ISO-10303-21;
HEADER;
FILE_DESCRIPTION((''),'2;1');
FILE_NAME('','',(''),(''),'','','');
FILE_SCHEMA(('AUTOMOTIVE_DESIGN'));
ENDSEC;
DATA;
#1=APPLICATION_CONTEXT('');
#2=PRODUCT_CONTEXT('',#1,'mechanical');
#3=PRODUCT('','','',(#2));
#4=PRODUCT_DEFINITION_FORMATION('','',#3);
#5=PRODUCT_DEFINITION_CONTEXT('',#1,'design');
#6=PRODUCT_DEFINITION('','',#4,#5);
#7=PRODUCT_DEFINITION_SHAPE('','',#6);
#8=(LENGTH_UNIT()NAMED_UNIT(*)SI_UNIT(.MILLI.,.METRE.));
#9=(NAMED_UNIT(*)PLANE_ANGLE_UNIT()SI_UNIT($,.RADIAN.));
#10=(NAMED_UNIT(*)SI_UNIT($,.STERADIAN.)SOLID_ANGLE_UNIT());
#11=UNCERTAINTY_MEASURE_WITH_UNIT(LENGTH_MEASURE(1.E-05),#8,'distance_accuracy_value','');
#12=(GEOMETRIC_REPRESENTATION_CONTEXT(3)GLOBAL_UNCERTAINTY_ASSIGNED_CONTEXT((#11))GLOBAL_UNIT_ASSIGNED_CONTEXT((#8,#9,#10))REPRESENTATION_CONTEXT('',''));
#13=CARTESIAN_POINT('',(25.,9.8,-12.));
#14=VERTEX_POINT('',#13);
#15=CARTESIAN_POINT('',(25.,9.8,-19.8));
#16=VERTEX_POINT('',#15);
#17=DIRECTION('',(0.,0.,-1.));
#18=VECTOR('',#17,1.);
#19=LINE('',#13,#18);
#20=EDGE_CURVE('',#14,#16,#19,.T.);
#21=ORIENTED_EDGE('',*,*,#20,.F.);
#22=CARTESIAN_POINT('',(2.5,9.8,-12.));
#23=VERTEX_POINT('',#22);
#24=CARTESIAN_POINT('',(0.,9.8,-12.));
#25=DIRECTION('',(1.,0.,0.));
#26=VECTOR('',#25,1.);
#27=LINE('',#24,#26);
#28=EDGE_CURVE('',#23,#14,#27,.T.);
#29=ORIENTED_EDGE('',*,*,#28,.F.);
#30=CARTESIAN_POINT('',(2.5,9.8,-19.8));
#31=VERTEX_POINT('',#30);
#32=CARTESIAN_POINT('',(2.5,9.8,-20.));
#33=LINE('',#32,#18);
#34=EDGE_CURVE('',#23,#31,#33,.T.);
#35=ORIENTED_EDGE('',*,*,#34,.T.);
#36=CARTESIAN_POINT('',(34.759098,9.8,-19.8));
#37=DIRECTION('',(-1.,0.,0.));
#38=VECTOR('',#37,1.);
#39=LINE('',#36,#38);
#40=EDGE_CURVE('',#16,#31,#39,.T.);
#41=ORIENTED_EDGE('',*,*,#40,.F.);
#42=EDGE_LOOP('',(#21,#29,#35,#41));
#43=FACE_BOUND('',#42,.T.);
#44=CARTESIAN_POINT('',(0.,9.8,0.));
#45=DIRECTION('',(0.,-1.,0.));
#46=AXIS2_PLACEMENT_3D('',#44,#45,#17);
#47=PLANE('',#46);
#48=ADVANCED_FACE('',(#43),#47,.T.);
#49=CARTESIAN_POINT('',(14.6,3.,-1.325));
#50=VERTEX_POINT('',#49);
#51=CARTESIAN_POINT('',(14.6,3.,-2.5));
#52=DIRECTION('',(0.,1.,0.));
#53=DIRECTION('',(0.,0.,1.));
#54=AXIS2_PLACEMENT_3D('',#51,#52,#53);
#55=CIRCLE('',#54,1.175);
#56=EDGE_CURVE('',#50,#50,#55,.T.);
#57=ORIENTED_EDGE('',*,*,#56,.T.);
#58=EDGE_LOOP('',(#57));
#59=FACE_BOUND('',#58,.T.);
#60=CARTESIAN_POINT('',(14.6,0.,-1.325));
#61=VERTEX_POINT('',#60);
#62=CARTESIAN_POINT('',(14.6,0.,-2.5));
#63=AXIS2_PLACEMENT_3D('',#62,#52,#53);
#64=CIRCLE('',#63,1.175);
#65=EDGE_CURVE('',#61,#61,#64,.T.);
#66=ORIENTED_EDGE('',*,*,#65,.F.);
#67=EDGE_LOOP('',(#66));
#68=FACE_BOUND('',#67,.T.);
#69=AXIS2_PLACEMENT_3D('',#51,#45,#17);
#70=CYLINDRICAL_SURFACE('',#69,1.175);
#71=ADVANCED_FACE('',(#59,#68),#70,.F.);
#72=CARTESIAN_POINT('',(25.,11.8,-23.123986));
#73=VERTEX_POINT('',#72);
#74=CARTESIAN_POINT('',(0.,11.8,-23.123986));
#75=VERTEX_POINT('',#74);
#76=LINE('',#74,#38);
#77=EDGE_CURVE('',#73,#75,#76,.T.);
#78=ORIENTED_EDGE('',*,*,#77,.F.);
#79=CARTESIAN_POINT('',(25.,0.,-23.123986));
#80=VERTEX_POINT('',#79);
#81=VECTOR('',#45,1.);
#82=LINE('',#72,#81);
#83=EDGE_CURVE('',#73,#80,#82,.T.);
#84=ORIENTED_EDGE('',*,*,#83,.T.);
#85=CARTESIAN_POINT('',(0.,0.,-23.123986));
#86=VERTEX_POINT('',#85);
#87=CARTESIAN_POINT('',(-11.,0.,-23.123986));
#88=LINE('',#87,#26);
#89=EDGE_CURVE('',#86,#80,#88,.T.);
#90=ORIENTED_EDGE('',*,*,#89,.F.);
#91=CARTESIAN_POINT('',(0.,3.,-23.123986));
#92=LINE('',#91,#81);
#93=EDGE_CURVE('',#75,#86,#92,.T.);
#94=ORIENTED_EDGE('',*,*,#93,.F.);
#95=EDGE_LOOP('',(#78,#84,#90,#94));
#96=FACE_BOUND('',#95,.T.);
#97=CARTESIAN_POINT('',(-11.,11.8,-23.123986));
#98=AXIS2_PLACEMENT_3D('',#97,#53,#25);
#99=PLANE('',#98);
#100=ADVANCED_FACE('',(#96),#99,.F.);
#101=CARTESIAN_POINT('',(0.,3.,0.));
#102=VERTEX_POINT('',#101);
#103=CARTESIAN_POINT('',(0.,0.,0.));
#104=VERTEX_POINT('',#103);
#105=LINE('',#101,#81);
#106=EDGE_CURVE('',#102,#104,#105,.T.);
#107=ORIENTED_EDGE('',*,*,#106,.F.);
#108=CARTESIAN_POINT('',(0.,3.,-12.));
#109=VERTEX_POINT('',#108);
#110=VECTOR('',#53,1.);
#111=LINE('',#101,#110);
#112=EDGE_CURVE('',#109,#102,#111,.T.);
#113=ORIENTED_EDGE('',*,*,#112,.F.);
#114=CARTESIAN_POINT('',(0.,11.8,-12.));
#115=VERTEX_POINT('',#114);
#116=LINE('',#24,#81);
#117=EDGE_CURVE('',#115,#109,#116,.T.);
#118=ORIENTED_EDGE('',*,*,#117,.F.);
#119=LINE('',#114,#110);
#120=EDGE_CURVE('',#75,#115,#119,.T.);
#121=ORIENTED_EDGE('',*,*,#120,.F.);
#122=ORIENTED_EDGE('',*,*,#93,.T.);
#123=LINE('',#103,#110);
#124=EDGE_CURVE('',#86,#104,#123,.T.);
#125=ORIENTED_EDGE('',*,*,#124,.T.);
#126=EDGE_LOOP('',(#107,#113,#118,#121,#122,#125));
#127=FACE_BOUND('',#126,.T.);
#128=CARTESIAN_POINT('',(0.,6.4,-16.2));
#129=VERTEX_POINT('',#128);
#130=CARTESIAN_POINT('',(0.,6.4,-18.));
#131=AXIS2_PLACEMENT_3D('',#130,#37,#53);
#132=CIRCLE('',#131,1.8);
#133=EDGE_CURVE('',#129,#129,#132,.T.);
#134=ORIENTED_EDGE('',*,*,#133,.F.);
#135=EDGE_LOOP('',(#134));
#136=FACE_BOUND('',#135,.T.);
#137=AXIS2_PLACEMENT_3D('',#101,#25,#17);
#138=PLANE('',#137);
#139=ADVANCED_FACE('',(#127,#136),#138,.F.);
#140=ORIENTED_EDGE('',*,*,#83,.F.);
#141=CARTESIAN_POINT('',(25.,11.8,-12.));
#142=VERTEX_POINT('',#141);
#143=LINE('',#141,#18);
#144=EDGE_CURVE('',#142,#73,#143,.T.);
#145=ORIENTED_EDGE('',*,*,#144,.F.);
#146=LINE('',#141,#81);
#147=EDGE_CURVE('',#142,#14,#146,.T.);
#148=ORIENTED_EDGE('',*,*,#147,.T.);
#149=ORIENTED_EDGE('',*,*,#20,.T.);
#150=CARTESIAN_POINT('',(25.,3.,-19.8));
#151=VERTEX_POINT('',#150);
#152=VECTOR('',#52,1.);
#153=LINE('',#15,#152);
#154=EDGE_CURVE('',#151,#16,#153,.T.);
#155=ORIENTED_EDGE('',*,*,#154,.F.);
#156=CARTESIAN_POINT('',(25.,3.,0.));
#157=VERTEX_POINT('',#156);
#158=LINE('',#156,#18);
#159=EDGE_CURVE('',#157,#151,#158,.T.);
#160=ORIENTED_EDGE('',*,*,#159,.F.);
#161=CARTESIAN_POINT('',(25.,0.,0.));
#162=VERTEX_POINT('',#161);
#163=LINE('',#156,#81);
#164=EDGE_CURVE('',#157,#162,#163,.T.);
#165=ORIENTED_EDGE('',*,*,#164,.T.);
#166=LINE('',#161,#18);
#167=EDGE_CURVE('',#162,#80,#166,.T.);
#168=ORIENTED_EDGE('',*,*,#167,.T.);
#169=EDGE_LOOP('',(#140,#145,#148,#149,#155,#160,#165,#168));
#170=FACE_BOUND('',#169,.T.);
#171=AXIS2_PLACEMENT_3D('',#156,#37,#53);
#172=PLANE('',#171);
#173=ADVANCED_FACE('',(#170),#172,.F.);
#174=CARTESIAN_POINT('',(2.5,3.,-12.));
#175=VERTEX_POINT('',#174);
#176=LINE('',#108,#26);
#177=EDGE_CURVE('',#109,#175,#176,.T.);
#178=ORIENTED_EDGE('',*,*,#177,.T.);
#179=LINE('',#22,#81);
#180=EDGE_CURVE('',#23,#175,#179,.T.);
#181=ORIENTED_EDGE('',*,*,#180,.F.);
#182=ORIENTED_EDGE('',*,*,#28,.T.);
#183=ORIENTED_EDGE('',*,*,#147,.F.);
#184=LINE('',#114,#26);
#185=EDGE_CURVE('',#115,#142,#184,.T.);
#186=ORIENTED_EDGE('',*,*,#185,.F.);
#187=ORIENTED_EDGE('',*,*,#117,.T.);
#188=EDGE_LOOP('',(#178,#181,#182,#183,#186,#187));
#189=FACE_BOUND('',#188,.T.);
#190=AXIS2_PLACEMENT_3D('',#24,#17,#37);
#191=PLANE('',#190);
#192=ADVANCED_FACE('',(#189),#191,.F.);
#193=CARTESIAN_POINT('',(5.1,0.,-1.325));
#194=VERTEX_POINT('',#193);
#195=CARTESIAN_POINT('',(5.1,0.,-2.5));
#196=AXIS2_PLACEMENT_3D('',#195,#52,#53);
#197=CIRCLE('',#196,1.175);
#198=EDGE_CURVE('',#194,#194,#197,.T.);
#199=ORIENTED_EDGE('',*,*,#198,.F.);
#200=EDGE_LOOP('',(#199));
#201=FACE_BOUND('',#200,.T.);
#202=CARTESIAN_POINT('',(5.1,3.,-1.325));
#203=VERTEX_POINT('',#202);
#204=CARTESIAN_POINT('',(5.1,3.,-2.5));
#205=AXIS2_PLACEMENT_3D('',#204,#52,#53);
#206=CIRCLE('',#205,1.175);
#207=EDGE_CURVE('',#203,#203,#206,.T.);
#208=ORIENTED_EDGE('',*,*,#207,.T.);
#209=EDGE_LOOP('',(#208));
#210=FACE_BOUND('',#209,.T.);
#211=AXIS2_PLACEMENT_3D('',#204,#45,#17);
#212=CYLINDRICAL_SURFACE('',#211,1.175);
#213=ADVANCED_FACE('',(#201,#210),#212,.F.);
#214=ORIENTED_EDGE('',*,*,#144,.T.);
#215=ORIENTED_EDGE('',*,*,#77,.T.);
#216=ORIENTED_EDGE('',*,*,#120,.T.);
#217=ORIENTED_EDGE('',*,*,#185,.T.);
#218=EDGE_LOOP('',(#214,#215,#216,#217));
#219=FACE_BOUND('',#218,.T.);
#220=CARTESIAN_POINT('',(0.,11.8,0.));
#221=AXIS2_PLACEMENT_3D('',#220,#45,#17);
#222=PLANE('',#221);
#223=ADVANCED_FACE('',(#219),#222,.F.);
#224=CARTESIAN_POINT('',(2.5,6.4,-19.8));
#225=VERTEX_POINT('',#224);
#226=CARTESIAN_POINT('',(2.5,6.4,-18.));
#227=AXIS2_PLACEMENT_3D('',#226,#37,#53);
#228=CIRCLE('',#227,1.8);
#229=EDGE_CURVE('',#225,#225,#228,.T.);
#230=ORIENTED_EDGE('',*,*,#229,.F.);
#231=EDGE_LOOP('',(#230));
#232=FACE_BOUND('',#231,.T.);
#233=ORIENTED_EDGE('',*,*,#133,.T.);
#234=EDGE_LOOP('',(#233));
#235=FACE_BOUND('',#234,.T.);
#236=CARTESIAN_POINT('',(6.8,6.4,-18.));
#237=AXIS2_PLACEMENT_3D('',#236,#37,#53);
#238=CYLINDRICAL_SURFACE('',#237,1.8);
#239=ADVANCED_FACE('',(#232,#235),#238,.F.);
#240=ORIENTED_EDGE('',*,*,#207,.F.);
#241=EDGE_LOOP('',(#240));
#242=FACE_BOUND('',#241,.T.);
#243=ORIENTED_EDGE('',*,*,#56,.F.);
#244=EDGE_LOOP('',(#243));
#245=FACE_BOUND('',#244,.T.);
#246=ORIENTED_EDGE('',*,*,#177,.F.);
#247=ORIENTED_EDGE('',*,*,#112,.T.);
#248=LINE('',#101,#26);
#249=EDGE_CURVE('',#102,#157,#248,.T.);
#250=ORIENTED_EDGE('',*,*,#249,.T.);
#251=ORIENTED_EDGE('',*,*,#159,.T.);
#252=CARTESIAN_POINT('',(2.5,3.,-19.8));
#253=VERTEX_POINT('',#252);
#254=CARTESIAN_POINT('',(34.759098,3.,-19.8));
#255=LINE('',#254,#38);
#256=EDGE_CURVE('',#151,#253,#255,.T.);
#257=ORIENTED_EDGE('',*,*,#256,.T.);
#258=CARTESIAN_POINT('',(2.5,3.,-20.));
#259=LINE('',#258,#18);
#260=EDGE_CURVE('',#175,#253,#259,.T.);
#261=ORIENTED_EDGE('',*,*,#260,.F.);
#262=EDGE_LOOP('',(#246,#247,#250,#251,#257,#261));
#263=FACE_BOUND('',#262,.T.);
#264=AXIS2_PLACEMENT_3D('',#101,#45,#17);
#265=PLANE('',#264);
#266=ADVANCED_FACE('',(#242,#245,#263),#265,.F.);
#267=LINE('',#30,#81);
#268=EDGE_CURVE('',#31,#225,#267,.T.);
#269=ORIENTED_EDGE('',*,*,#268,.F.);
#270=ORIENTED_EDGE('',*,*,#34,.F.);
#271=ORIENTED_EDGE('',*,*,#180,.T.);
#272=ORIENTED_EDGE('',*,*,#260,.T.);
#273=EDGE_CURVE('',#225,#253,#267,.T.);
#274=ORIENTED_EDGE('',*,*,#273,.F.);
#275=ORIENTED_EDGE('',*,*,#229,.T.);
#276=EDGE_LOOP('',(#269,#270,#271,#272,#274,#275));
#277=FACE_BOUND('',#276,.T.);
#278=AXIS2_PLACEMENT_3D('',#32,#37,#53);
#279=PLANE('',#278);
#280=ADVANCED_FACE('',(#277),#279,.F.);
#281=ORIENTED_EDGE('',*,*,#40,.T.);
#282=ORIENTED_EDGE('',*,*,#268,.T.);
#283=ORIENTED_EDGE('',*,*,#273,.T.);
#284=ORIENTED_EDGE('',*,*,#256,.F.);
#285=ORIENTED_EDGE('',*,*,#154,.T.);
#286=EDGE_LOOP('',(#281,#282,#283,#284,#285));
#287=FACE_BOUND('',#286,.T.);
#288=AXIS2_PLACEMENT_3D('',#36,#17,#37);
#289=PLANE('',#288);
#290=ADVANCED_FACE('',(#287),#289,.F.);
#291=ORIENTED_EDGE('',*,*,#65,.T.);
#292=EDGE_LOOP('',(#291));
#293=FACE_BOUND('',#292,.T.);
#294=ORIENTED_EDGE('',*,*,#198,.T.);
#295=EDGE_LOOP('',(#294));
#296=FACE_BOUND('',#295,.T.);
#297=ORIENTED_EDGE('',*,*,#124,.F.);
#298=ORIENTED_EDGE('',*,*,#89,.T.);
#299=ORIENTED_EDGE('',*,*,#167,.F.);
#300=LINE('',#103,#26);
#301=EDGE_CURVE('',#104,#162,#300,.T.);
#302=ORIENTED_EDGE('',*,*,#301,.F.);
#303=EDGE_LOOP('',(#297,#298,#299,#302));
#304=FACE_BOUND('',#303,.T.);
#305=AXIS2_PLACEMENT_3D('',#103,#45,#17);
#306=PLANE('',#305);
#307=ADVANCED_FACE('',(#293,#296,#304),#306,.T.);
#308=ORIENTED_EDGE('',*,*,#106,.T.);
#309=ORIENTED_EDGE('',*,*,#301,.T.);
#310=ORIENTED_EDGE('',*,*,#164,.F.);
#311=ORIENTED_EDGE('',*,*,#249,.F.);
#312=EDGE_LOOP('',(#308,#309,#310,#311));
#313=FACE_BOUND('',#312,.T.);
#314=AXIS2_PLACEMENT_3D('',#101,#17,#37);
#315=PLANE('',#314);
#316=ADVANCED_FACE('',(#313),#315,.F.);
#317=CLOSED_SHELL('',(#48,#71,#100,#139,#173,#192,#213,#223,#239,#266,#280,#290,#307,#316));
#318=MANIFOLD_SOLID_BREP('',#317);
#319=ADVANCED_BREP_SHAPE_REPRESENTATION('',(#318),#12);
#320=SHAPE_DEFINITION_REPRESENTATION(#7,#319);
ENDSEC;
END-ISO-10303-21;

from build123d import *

# Parameters (mm, degrees)
SKETCH1_W           = 25
SKETCH1_H           = 20
SKETCH1_R           = 1.175
BOSS_EXTRUDE2_DEPTH = 3
SKETCH3_W           = 2.5
SKETCH3_H           = 8
BOSS_EXTRUDE3_DEPTH = 6.8
SKETCH5_W           = 2.5
SKETCH5_H           = 6.8
BOSS_EXTRUDE5_DEPTH = 6.8
SKETCH7_R           = 1.8
CUT_EXTRUDE1_DEPTH  = 6.8
SKETCH8_W           = 7
SKETCH8_H           = 6.8
BOSS_EXTRUDE6_DEPTH = 22.5
SKETCH9_W           = 25
SKETCH9_H           = 14.8
BOSS_EXTRUDE7_DEPTH = 2
SKETCH10_W          = 3.676013555
SKETCH10_H          = 11.8
CUT_EXTRUDE2_DEPTH  = 36


with BuildPart() as part:
    # Sketch1 → Boss-Extrude2 (new body)
    with BuildSketch(Plane(origin=(0, 0, 0), x_dir=(1, 0, 0), z_dir=(0, 1, 0))):
        with Locations((12.5, 10)):
            Rectangle(SKETCH1_W, SKETCH1_H)
        with Locations(Location((5.1, 2.5, 0), (0, 0, 270))):
            Circle(SKETCH1_R, mode=Mode.SUBTRACT)
        with Locations(Location((14.6, 2.5, 0), (0, 0, 270))):
            Circle(SKETCH1_R, mode=Mode.SUBTRACT)
    extrude(amount=BOSS_EXTRUDE2_DEPTH)

    # Sketch3 → Boss-Extrude3 (add)
    with BuildSketch(Plane(origin=(0, 3, 0), x_dir=(1, 0, 0), z_dir=(0, 1, 0))):
        with Locations((1.25, 16)):
            Rectangle(SKETCH3_W, SKETCH3_H)
    extrude(amount=BOSS_EXTRUDE3_DEPTH)

    # Sketch5 → Boss-Extrude5 (add)
    with BuildSketch(Plane(origin=(0, 0, -20), x_dir=(-1, 0, 0), z_dir=(0, 0, -1))):
        Polygon((0, 0), (0, 3), (-2.5, 3), (-25, 3), (-25, 0), align=None)
        with Locations((-1.25, 6.4)):
            Rectangle(SKETCH5_W, SKETCH5_H)
    extrude(amount=BOSS_EXTRUDE5_DEPTH)

    # Sketch7 → Cut-Extrude1 (cut)
    with BuildSketch(Plane.ZY):
        with Locations((-18, 6.4)):
            Circle(SKETCH7_R)
    extrude(amount=-CUT_EXTRUDE1_DEPTH, mode=Mode.SUBTRACT)

    # Sketch8 → Boss-Extrude6 (add)
    with BuildSketch(Plane(origin=(2.5, 0, 0), x_dir=(0, 0, -1), z_dir=(1, 0, 0))):
        with Locations((23.3, 6.4)):
            Rectangle(SKETCH8_W, SKETCH8_H)
    extrude(amount=BOSS_EXTRUDE6_DEPTH)

    # Sketch9 → Boss-Extrude7 (add)
    with BuildSketch(Plane(origin=(0, 9.8, 0), x_dir=(1, 0, 0), z_dir=(0, 1, 0))):
        with Locations((12.5, 19.4)):
            Rectangle(SKETCH9_W, SKETCH9_H)
    extrude(amount=BOSS_EXTRUDE7_DEPTH)

    # Sketch10 → Cut-Extrude2 (cut)
    with BuildSketch(Plane(origin=(25, 0, 0), x_dir=(0, 0, -1), z_dir=(1, 0, 0))):
        with Locations((24.961993222, 5.9)):
            Rectangle(SKETCH10_W, SKETCH10_H)
    extrude(amount=-CUT_EXTRUDE2_DEPTH, mode=Mode.SUBTRACT)


solid = part.part
